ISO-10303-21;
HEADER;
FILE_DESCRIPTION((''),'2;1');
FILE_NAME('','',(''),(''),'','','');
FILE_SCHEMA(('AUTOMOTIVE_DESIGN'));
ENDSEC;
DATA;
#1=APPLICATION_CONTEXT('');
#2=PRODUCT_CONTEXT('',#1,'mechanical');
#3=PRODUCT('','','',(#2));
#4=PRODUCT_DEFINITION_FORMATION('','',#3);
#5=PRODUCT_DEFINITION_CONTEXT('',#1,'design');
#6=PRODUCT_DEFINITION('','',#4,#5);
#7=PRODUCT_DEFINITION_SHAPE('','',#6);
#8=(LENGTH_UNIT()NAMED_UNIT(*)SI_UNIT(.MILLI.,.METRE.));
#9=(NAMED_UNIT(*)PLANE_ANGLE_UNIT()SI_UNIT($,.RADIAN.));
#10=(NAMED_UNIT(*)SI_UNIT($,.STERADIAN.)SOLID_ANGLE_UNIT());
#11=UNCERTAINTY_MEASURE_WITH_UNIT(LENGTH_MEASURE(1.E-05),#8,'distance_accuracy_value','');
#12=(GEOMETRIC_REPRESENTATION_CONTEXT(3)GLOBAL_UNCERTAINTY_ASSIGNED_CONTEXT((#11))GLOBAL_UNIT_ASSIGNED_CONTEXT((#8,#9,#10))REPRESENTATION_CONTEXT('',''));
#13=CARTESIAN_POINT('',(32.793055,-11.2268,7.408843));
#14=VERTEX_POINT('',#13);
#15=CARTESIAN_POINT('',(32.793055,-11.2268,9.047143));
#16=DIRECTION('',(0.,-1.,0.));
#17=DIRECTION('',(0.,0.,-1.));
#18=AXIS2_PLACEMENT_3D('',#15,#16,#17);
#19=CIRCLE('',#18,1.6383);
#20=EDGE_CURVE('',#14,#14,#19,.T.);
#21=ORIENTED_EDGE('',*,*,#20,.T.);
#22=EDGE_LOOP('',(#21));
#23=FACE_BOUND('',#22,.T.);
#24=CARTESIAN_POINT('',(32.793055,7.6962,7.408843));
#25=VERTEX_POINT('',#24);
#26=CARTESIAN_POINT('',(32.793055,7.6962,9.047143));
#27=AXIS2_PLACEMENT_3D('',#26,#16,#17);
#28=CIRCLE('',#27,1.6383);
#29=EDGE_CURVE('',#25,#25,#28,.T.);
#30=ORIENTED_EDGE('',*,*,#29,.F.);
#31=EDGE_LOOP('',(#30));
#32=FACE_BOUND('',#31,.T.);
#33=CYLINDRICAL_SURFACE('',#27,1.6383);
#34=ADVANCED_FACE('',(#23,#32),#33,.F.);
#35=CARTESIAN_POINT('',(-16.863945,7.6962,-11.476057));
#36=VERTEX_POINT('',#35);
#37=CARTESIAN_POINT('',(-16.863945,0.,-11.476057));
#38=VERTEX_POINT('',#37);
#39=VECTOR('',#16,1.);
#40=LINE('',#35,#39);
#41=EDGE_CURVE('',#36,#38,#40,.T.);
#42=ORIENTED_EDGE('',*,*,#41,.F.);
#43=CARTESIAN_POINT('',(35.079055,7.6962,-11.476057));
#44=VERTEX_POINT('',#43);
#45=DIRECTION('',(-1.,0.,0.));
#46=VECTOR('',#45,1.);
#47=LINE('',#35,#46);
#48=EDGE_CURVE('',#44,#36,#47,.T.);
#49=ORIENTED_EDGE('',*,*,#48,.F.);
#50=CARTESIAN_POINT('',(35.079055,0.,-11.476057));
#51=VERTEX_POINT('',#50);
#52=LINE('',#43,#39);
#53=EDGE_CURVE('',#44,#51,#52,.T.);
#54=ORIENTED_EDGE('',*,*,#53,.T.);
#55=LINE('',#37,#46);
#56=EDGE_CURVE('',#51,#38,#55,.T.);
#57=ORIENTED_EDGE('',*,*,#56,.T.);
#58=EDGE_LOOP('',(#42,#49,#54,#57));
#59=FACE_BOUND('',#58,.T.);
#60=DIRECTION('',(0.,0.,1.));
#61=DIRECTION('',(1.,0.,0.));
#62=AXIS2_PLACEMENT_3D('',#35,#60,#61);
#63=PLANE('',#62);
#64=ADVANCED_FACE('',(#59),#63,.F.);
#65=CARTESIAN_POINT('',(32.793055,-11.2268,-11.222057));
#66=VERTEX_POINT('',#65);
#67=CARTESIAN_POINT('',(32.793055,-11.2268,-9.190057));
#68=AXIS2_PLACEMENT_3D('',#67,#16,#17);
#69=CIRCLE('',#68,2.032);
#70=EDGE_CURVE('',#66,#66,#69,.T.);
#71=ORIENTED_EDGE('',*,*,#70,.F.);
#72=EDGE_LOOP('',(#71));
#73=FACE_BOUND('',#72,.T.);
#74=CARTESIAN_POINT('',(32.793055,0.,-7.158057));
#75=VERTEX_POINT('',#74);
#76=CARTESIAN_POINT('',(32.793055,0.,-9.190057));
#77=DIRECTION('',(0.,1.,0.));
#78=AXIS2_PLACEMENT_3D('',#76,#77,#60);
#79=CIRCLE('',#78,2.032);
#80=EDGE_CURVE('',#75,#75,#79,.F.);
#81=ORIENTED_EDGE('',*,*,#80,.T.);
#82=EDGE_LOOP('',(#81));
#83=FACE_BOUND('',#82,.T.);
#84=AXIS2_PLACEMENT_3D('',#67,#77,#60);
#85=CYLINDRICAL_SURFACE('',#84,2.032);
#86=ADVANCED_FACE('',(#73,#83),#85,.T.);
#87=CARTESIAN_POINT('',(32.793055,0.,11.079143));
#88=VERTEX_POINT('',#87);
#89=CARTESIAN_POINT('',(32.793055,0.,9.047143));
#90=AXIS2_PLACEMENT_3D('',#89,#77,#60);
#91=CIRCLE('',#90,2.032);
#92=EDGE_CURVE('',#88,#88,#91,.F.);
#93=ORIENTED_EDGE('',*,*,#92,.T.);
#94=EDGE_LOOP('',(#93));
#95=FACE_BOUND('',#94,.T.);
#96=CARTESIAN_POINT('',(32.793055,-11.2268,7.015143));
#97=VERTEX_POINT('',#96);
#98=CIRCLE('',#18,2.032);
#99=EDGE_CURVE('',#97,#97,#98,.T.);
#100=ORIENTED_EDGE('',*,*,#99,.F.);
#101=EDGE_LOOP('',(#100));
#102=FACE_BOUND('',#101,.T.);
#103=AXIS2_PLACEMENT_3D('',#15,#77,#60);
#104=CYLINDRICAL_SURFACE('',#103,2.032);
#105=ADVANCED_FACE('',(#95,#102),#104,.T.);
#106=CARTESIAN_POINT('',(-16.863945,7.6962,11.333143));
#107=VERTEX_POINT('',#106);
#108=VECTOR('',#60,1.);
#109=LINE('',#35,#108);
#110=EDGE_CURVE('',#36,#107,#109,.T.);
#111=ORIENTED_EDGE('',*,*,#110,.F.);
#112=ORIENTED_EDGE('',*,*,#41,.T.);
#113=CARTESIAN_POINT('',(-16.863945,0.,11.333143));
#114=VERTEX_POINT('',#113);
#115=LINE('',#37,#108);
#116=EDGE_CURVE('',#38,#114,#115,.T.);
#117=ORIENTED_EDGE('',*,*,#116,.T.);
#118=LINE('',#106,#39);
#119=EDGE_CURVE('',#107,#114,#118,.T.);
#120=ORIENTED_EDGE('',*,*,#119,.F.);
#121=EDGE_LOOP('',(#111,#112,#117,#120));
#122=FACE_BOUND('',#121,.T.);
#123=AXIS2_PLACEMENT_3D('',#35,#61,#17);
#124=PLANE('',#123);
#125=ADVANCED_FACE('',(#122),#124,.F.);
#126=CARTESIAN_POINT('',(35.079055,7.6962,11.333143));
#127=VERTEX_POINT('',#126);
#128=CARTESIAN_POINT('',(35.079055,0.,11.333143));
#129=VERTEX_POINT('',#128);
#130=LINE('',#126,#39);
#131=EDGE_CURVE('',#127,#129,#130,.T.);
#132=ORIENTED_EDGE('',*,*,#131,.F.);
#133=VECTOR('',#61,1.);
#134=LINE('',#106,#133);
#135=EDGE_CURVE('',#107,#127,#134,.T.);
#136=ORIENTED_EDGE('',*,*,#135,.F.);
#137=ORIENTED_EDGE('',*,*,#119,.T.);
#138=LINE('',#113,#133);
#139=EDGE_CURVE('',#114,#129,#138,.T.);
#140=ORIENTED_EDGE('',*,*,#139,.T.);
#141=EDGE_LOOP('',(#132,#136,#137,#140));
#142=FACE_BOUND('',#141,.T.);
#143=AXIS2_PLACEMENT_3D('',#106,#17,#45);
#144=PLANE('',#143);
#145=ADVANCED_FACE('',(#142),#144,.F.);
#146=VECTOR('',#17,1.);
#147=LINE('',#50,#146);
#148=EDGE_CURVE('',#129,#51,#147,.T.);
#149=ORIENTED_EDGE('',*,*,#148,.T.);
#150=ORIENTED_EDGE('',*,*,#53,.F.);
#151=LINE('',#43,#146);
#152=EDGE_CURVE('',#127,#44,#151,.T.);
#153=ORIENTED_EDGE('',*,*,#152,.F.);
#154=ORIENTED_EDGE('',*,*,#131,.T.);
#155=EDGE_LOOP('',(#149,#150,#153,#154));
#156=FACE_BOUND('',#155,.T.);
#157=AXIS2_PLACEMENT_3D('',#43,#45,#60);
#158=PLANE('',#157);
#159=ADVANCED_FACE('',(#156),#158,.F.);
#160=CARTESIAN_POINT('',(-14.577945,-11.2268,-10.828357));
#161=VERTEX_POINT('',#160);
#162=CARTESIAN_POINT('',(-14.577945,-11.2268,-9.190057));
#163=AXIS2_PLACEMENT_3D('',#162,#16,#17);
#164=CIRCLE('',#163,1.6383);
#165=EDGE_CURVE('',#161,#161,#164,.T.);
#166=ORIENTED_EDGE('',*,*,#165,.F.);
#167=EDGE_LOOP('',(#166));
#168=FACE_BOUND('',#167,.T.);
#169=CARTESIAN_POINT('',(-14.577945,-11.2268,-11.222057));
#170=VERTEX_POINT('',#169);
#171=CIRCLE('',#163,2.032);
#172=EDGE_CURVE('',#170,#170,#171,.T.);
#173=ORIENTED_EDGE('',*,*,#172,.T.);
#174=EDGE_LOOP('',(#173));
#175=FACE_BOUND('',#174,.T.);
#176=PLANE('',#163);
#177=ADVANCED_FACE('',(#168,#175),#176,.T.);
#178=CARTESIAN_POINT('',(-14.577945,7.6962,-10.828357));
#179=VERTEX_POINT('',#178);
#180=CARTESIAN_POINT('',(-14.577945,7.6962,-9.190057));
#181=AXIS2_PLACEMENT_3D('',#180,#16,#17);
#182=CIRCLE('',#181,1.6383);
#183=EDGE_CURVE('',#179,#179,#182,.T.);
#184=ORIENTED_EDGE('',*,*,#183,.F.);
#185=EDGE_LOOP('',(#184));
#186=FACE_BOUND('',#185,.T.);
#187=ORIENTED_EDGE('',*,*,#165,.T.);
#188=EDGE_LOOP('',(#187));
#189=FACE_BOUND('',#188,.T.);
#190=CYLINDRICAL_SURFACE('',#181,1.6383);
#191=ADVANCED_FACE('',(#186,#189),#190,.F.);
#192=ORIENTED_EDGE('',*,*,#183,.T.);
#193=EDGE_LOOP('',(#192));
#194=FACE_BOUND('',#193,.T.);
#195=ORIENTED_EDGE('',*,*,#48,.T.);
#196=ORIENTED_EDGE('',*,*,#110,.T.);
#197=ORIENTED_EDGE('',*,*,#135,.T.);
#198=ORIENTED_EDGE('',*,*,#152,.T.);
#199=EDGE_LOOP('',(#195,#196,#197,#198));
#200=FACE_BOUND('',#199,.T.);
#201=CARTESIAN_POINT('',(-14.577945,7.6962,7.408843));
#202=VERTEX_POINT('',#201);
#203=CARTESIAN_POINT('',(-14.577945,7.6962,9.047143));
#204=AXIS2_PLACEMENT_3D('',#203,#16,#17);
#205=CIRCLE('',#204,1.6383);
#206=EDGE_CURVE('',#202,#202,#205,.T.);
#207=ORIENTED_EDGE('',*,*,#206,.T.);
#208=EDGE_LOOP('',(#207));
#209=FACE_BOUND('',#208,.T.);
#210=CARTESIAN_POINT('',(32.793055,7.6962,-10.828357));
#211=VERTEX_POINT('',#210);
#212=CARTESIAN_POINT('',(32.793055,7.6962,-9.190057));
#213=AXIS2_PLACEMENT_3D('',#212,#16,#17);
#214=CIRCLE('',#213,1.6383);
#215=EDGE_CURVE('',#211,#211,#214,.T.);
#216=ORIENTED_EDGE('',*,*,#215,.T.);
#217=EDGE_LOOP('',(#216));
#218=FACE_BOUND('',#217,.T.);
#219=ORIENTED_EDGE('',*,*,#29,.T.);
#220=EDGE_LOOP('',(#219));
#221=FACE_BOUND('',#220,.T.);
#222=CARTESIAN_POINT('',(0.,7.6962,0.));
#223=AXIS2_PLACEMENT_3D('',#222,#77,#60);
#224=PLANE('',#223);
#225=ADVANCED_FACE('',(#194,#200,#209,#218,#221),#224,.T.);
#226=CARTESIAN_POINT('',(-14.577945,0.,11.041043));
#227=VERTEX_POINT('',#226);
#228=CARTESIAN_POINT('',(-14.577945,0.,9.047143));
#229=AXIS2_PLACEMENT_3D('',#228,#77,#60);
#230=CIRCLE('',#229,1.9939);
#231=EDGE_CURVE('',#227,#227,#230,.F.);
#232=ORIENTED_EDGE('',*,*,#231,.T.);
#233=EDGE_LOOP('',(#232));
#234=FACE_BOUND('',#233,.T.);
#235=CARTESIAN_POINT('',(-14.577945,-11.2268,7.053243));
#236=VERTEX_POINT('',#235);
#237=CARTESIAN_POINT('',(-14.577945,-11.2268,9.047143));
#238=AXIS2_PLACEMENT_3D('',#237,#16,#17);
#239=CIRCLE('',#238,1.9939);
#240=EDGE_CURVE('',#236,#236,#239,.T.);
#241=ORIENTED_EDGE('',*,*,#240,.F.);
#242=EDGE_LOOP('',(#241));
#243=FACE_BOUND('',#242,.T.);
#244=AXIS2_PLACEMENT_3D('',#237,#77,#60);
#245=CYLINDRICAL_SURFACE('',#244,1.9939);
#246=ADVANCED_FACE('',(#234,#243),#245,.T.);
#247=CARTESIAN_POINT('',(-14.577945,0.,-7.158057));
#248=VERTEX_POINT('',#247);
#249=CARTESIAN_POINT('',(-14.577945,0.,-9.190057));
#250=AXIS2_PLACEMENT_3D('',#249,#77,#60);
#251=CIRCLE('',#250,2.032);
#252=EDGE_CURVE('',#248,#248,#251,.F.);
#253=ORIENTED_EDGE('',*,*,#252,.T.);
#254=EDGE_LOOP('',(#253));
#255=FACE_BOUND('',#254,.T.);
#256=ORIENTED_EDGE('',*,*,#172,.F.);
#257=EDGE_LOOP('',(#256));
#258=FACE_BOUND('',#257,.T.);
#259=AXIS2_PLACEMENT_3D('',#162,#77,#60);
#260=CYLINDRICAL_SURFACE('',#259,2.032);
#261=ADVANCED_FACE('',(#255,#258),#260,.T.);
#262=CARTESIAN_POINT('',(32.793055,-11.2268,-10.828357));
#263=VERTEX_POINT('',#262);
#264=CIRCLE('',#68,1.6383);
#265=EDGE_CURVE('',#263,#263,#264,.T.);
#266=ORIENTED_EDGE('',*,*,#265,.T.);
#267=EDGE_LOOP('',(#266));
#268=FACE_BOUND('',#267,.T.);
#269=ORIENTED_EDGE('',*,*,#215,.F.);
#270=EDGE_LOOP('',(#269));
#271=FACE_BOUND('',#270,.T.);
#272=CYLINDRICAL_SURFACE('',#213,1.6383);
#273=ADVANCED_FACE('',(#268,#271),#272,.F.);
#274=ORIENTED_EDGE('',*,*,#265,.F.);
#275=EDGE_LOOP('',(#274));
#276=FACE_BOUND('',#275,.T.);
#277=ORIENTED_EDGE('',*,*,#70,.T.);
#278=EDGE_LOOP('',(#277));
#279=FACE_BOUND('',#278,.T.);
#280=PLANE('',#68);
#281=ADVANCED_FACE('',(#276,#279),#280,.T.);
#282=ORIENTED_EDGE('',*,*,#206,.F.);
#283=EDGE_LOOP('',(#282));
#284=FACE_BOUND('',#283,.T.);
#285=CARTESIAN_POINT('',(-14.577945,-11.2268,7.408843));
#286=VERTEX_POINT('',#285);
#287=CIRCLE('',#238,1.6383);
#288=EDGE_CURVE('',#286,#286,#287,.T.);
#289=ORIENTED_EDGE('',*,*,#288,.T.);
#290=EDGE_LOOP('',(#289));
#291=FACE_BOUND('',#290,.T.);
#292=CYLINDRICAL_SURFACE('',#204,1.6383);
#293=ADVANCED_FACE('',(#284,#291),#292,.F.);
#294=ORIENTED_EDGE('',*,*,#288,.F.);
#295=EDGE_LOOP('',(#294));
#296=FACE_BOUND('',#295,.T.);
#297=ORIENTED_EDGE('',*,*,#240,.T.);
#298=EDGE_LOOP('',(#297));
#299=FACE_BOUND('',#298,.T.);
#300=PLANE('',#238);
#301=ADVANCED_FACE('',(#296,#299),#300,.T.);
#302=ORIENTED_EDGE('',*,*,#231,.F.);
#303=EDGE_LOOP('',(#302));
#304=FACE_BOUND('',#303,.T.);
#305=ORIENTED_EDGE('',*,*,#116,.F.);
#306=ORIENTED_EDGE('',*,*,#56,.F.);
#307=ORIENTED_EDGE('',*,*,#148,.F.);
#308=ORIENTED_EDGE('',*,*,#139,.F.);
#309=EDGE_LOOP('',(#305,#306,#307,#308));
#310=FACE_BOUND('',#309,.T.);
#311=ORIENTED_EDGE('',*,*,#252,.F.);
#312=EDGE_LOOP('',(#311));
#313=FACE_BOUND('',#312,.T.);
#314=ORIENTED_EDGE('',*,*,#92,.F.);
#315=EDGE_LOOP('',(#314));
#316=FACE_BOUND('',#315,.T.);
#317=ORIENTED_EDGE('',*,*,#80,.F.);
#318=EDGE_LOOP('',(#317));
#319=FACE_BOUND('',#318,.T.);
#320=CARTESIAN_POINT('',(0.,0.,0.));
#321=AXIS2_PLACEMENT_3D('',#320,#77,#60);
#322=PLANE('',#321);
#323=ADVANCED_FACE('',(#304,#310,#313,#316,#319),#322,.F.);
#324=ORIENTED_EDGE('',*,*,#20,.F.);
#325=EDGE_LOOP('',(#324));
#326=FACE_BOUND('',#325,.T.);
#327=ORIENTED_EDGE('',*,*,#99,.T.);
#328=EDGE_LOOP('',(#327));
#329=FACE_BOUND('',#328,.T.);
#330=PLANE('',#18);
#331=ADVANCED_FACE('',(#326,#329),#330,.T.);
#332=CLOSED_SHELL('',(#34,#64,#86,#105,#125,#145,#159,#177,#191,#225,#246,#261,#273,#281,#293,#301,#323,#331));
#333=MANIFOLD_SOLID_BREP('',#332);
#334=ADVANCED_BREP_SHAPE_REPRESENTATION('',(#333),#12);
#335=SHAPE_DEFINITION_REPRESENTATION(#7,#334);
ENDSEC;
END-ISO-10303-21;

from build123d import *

# Parameters (mm, degrees)
SKETCH1_W           = 51.943
SKETCH1_H           = 22.8092
BOSS_EXTRUDE1_DEPTH = 7.6962
SKETCH2_R           = 1.9939
SKETCH2_R_2         = 2.032
BOSS_EXTRUDE2_DEPTH = 11.2268
SKETCH3_R           = 1.6383
CUT_EXTRUDE1_DEPTH  = 19.923


with BuildPart() as part:
    # Sketch1 → Boss-Extrude1 (new body)
    with BuildSketch(Plane(origin=(0, 0, 0), x_dir=(1, 0, 0), z_dir=(0, 1, 0))):
        with Locations((9.107555138, 0.071457393)):
            Rectangle(SKETCH1_W, SKETCH1_H)
    extrude(amount=BOSS_EXTRUDE1_DEPTH)

    # Sketch2 → Boss-Extrude2 (add)
    with BuildSketch(Plane.XZ):
        with Locations((-14.577944862, 9.047142607)):
            Circle(SKETCH2_R)
        with Locations((32.793055138, 9.047142607)):
            Circle(SKETCH2_R_2)
        with Locations((32.793055138, -9.190057393)):
            Circle(SKETCH2_R_2)
        with Locations((-14.577944862, -9.190057393)):
            Circle(SKETCH2_R_2)
    extrude(amount=BOSS_EXTRUDE2_DEPTH)

    # Sketch3 → Cut-Extrude1 (cut, through all)
    with BuildSketch(Plane.XZ.offset(11.2268)):
        with Locations((-14.577944862, 9.047142607)):
            Circle(SKETCH3_R)
        with Locations((-14.577944862, -9.190057393)):
            Circle(SKETCH3_R)
        with Locations((32.793055138, -9.190057393)):
            Circle(SKETCH3_R)
        with Locations((32.793055138, 9.047142607)):
            Circle(SKETCH3_R)
    extrude(amount=-CUT_EXTRUDE1_DEPTH, mode=Mode.SUBTRACT)


solid = part.part
